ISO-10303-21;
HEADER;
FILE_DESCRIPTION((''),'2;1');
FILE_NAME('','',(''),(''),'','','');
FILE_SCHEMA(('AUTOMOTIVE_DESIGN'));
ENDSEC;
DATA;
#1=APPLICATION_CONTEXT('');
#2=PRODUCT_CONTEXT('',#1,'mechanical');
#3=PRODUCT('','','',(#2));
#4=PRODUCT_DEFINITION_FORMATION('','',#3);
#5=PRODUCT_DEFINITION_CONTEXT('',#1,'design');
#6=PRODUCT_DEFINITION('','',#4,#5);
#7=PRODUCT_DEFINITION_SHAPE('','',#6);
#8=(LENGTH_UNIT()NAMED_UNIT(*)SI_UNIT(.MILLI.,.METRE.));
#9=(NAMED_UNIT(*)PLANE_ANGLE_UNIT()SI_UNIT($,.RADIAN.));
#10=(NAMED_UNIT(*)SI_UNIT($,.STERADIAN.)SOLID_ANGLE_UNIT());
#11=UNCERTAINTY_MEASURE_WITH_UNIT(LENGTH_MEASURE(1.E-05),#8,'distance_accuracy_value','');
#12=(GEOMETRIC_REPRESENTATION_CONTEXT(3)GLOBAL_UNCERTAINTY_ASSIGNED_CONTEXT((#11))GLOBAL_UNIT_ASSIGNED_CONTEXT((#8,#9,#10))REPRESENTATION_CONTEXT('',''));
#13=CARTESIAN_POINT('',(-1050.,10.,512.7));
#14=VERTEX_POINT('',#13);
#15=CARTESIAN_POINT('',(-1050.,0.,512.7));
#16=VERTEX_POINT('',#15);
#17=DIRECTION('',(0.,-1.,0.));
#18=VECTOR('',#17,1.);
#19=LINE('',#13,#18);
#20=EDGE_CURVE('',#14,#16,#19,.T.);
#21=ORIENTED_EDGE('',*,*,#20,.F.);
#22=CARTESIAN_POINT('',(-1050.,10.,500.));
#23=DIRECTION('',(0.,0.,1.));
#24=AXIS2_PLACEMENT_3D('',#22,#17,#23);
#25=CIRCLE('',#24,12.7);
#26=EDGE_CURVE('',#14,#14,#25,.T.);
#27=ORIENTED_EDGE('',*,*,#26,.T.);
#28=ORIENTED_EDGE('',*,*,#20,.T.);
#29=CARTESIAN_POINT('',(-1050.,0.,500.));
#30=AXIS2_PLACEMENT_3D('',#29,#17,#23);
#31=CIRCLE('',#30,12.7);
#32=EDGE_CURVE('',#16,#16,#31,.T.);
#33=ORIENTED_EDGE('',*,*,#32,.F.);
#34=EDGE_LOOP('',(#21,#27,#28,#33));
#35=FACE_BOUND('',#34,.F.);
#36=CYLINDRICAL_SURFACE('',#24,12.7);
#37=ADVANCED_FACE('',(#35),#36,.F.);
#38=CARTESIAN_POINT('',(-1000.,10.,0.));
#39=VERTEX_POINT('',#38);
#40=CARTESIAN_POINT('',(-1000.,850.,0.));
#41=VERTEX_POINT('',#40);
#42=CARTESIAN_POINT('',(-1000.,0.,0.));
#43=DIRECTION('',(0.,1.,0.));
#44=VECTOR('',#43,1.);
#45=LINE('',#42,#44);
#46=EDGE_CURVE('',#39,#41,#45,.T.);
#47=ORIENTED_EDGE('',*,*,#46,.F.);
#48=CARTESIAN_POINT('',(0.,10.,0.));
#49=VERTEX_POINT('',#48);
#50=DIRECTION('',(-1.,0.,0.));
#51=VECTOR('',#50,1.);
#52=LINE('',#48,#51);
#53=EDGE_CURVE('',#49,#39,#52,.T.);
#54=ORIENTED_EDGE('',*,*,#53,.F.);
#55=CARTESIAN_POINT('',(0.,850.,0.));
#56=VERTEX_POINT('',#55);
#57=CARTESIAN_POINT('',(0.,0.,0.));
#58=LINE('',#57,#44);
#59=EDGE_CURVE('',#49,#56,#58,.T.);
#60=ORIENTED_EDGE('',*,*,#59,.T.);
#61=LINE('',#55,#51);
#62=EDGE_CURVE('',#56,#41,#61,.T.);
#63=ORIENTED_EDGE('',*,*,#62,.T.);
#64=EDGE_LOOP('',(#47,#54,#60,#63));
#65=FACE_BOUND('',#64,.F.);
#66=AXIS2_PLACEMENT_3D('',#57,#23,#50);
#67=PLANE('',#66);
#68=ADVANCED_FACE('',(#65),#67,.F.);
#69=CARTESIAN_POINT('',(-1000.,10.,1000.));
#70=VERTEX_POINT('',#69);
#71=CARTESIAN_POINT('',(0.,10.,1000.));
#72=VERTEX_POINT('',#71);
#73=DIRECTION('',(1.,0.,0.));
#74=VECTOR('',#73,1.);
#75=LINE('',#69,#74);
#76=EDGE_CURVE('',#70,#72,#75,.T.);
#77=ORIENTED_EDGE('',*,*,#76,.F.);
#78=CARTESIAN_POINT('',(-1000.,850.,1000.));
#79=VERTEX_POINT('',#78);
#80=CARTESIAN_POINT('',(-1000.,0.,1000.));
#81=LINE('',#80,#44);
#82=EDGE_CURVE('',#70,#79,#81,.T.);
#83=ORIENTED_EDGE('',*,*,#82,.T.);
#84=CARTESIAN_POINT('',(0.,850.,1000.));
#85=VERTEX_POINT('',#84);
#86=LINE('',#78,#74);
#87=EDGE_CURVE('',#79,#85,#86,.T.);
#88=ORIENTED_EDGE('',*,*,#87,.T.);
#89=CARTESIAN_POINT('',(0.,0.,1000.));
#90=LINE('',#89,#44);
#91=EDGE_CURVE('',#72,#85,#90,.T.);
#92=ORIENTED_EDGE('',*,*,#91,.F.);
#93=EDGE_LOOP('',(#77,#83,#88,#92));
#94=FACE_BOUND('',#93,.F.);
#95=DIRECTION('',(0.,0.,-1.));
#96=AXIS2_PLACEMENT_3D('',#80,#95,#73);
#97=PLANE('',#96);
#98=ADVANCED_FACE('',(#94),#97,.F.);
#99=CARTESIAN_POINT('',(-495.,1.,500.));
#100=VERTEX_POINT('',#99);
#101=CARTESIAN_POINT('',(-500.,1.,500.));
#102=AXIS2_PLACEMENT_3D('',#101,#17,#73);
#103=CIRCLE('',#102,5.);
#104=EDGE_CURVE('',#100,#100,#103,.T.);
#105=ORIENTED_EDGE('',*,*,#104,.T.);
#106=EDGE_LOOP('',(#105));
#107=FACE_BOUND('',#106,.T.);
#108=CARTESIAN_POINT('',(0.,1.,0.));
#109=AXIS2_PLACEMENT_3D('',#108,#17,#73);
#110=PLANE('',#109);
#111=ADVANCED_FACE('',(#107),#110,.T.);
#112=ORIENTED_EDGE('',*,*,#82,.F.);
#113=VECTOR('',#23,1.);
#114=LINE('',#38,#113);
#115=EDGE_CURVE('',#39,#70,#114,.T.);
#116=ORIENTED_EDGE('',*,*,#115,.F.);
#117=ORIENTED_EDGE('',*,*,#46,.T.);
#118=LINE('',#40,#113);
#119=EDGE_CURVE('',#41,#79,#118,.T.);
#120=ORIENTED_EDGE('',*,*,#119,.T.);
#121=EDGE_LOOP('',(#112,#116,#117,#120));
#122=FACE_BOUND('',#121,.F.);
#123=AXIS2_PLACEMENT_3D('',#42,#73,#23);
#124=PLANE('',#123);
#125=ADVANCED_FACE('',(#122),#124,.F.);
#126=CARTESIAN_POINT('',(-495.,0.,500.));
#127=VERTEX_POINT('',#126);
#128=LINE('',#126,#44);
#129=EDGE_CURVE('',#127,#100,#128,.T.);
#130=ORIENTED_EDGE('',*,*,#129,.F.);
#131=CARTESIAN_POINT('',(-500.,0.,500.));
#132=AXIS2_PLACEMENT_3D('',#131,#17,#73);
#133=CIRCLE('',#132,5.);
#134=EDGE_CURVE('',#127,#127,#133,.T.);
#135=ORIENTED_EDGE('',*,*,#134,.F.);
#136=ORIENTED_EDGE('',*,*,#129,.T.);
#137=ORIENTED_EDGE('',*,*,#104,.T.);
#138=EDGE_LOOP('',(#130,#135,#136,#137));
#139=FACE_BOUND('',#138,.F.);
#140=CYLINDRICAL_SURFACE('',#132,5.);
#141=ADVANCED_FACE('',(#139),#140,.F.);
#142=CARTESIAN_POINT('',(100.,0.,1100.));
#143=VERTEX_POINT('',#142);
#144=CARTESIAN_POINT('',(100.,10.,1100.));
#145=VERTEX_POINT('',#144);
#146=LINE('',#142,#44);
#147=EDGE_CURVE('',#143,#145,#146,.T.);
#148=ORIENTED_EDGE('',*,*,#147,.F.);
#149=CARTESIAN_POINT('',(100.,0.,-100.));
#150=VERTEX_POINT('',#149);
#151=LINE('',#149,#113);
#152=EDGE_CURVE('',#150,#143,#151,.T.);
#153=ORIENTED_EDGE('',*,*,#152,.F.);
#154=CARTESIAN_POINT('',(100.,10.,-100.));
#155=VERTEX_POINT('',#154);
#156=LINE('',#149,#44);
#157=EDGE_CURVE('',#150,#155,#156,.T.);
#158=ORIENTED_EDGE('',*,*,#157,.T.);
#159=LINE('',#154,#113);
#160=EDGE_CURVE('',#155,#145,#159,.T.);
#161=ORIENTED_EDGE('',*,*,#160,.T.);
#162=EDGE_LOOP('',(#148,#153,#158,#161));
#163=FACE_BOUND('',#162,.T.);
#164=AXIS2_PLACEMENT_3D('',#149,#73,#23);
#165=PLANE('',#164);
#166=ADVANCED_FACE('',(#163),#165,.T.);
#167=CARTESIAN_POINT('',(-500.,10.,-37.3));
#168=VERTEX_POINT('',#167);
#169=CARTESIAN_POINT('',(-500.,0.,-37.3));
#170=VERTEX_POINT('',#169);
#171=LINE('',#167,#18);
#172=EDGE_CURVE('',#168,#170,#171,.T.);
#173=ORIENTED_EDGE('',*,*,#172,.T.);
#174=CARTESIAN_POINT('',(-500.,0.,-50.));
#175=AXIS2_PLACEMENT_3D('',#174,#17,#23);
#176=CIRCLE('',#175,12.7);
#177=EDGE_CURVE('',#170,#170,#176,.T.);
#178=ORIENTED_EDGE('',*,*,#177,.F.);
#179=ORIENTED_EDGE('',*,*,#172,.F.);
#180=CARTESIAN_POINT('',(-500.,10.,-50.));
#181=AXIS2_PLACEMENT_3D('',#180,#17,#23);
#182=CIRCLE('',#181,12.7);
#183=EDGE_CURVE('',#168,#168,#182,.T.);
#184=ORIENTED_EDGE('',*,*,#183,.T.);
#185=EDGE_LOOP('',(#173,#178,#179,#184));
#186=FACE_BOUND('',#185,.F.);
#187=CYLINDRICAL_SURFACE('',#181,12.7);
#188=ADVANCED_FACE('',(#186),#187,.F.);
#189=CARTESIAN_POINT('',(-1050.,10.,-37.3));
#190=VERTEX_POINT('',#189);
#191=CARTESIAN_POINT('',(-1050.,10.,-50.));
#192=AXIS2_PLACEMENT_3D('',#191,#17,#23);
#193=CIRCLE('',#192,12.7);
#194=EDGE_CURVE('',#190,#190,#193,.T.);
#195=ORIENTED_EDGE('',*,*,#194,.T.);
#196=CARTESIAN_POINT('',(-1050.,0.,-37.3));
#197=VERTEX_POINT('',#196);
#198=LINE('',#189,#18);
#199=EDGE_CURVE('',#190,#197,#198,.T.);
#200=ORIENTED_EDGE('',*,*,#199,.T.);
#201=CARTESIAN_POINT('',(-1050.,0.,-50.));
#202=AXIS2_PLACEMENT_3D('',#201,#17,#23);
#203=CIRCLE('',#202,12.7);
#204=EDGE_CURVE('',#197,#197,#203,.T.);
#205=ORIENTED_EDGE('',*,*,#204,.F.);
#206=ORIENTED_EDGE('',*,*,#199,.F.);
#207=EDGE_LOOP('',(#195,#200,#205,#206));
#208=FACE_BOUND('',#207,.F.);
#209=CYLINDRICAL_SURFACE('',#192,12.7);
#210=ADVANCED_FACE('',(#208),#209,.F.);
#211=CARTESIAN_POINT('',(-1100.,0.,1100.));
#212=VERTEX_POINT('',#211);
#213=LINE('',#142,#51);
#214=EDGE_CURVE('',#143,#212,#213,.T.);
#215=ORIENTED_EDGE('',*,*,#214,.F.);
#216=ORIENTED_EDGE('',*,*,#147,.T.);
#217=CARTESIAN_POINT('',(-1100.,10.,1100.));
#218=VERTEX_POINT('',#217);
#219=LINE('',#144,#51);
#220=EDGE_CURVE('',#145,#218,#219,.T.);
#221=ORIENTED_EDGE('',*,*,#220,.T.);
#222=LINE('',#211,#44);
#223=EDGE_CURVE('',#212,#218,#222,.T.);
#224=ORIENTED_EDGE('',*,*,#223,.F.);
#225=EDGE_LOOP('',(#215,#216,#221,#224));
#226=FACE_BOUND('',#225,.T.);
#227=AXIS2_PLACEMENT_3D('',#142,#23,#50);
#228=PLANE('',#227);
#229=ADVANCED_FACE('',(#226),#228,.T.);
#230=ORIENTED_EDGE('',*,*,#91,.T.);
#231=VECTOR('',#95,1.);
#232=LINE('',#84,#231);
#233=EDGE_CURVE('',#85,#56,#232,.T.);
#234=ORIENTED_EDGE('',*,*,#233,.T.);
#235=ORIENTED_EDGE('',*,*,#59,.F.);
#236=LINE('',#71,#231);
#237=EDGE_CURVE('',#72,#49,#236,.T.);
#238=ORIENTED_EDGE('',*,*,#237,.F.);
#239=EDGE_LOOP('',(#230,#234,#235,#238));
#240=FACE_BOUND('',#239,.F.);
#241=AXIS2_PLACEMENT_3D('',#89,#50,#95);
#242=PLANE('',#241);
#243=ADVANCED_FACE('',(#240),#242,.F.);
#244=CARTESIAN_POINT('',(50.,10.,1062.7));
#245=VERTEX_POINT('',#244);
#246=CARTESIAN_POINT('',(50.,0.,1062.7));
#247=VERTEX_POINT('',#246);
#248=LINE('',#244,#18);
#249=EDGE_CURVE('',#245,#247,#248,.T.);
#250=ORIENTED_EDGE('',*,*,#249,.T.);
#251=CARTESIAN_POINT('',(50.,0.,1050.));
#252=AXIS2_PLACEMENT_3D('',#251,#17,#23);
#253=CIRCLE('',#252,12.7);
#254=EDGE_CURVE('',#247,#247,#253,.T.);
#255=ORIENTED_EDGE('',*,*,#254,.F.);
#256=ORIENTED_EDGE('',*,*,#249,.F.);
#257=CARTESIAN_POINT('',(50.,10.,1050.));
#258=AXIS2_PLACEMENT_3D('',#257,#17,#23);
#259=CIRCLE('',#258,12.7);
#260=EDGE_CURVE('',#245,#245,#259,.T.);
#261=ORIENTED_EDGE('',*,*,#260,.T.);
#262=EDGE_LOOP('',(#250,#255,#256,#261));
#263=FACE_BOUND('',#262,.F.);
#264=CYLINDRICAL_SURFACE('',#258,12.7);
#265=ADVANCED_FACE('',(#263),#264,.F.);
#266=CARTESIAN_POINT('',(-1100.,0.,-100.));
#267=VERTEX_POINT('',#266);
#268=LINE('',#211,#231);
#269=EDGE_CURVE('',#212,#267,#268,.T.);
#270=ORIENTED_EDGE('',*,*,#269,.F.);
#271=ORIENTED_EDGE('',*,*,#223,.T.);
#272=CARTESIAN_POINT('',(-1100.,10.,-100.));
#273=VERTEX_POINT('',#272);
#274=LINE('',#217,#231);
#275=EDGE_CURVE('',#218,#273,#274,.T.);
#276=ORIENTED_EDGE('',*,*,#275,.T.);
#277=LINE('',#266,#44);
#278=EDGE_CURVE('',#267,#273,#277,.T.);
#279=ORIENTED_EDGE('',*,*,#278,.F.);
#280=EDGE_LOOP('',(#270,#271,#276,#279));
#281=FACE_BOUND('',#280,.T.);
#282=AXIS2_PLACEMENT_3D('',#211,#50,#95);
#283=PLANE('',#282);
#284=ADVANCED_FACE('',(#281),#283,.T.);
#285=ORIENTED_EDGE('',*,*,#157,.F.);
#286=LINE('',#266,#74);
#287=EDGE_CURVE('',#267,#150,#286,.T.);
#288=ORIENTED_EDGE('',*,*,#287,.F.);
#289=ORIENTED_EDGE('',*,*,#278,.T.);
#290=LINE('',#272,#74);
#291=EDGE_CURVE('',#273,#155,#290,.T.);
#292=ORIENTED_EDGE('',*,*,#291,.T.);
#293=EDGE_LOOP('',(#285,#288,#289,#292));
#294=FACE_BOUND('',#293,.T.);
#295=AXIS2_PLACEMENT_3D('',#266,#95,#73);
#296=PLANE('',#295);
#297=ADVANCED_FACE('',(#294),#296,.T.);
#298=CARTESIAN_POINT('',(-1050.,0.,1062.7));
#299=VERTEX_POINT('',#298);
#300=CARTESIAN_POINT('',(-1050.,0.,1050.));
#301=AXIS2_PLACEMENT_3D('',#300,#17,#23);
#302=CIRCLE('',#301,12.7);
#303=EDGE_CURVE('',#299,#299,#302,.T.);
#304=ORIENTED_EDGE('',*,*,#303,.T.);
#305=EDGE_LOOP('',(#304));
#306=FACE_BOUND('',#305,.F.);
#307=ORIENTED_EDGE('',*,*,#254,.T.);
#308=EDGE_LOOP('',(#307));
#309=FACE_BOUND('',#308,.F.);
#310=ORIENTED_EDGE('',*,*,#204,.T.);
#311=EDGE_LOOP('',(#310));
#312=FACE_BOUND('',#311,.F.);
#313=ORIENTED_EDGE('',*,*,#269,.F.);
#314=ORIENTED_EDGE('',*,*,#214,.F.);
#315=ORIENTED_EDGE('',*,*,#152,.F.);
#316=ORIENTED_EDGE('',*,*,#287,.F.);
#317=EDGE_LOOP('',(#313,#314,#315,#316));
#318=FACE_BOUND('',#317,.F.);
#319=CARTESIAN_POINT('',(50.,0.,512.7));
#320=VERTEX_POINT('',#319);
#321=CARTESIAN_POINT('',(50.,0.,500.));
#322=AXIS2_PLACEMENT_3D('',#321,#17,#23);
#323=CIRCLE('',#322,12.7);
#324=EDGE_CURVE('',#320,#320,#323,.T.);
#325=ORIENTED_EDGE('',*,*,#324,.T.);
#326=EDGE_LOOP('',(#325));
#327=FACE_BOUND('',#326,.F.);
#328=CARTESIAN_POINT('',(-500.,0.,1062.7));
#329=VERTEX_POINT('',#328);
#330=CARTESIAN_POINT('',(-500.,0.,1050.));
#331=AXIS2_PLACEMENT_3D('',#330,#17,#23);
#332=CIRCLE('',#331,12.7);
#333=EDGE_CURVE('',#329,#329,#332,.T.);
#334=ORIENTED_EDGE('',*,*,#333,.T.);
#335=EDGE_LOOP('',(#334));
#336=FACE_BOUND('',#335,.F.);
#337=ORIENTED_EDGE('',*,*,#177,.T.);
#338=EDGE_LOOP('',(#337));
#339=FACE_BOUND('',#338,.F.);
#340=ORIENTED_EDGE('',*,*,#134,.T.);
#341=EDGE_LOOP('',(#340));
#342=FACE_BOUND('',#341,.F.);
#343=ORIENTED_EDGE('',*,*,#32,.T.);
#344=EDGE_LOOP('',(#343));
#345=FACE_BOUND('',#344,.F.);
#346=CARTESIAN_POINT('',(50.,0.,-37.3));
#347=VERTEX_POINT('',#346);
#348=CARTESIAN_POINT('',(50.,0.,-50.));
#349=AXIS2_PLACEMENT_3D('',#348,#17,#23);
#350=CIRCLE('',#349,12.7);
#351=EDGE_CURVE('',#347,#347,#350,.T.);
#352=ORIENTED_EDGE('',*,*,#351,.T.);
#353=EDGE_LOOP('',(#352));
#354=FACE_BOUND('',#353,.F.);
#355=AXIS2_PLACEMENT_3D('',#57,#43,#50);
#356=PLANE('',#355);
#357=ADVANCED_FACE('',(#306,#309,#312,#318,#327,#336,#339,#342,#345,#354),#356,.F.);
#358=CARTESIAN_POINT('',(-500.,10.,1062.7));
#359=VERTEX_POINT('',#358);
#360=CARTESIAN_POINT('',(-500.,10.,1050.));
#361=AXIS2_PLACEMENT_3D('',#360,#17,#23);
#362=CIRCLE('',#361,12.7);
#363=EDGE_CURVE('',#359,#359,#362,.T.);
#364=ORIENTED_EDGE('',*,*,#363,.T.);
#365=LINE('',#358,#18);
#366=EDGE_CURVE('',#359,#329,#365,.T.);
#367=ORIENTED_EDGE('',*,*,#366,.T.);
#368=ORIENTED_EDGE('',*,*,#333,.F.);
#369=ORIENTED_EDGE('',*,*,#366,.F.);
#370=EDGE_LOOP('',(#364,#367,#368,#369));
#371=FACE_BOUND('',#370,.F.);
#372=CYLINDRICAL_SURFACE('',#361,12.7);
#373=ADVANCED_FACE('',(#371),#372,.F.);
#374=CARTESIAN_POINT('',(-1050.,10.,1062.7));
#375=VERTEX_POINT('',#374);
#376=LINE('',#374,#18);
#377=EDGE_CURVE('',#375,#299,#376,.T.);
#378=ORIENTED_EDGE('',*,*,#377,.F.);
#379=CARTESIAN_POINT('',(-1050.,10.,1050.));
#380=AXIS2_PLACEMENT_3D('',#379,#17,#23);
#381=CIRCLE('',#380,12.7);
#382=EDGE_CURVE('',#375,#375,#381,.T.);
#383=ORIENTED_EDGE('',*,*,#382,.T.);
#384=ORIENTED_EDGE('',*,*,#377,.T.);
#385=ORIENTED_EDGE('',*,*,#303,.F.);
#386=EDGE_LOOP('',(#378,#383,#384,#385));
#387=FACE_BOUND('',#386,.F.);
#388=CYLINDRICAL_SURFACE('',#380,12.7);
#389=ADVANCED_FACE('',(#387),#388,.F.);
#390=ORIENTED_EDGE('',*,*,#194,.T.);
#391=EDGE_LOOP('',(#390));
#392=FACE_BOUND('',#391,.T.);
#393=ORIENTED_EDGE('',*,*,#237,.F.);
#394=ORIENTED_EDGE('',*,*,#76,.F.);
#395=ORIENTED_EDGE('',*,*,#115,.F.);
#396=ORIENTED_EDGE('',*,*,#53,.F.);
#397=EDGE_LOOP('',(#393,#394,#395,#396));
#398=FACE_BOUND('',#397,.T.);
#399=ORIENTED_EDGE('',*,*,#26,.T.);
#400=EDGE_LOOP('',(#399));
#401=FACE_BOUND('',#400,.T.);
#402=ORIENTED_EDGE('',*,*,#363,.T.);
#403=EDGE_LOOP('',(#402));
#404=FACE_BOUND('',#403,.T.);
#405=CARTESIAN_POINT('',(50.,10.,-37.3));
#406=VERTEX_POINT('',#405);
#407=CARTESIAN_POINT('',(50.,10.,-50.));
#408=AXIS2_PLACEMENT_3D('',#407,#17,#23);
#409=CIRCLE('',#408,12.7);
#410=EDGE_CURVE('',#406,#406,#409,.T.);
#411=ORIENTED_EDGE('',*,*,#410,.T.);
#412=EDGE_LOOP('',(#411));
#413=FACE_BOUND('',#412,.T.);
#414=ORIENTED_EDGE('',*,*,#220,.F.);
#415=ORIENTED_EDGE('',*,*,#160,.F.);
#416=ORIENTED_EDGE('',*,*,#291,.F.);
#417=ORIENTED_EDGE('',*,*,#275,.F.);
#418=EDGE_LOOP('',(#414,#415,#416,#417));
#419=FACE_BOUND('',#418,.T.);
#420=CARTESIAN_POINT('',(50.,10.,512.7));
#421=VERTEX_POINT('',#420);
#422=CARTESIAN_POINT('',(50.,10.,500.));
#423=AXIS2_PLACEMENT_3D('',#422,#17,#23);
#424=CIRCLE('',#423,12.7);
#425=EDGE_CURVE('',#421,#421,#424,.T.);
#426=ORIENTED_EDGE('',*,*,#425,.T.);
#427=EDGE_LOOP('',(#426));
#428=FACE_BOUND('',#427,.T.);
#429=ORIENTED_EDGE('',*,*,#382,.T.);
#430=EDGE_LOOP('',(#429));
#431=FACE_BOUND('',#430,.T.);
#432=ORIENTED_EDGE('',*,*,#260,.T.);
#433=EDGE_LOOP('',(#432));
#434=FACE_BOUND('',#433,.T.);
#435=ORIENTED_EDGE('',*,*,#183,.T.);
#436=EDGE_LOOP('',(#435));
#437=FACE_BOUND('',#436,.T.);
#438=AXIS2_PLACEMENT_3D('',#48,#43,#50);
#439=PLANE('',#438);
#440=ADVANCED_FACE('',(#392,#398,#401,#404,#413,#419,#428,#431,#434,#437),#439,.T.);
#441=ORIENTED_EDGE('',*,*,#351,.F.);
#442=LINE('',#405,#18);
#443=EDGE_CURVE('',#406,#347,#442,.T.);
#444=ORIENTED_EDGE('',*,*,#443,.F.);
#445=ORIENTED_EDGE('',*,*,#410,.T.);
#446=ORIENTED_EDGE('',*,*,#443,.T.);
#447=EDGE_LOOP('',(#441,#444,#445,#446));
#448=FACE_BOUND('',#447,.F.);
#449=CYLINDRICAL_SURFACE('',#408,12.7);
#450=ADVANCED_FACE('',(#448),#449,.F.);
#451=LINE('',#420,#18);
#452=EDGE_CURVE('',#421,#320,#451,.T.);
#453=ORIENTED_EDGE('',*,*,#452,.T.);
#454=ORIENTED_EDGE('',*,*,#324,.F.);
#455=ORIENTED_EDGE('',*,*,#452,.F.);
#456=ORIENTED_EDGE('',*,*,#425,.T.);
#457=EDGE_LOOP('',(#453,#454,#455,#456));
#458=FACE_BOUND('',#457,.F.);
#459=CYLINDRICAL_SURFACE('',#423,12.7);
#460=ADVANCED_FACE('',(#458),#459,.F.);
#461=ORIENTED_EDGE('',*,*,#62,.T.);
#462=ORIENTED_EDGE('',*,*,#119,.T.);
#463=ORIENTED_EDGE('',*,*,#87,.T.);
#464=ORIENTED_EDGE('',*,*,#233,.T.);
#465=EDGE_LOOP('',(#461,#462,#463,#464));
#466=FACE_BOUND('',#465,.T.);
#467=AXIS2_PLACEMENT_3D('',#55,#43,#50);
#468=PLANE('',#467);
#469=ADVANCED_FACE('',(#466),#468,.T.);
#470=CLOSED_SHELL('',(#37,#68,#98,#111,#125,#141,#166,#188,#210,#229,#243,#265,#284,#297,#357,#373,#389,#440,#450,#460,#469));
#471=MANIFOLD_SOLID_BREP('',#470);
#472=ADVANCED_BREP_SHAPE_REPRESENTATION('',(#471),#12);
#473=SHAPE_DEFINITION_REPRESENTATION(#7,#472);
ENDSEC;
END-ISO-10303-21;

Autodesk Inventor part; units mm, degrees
ref_plane "YZ Plane" through (0, 0, 0) normal (1, 0, 0) x (0, 1, 0)
ref_plane "XZ Plane" through (0, 0, 0) normal (0, 1, 0) x (-1, 0, 0)
ref_plane "XY Plane" through (0, 0, 0) normal (0, 0, 1) x (1, 0, 0)
sketch "Sketch1" plane through (0, 0, 0) normal (0, 1, 0) x (-1, 0, 0)
  line L0 (0, 0) -> (1000, 0)
  line L1 (1000, 0) -> (1000, 1000)
  line L2 (1000, 1000) -> (0, 1000)
  line L3 (0, 1000) -> (0, 0)
  line L4 (-100, 1100) -> (1100, 1100)
  line L5 (1100, 1100) -> (1100, -100)
  line L6 (1100, -100) -> (-100, -100)
  line L7 (-100, -100) -> (-100, 1100)
  dimension "d0" = 1000
  dimension "d1" = 1000
  dimension "d2" = 100
extrude "Extrusion1" add sketch "Sketch1" along normal blind 850 contours L3 L2 L1 L0
extrude "Extrusion2" add sketch "Sketch1" along normal blind 10
sketch "Sketch2" plane through (0, 10, 0) normal (0, 1, 0) x (1, 0, 0)
  line L0 (100, 100) -> (-1100, 100) projected
  line L1 (-1100, 100) -> (-1100, -1100) projected
  line L2 (-1100, -1100) -> (100, -1100) projected
  line L3 (100, -1100) -> (100, 100) projected
  line L4 (0, -1000) -> (0, 0) projected
  line L5 (-1000, -1000) -> (0, -1000) projected
  line L6 (-1000, 0) -> (-1000, -1000) projected
  line L7 (0, 0) -> (-1000, 0) projected
  line L8 (-1000, -1000) -> (-1050, -1000)
  line L9 (-1050, -1000) -> (-1050, -1050)
  line L10 (-1050, -1050) -> (50, -1050)
  line L11 (50, -1050) -> (50, 50)
  line L12 (50, 50) -> (-1050, 50)
  line L13 (-1050, 50) -> (-500, 50)
  line L14 (-500, 50) -> (-500, -1050)
  line L15 (50, 50) -> (50, -500)
  line L16 (50, -500) -> (-1000, -500)
  line L17 (-1000, -500) -> (-1050, -500)
  dimension "d7" = 50
  dimension "d8" = 50
  dimension "d9" = 1100
  dimension "d10" = 1100
  dimension "d11" = 550
hole "Hole1" at (-1050, 10, 1050) at (-500, 10, 1050) at (50, 10, 1050) at (50, 10, -50) at (-500, 10, -50) at (-1050, 10, -50) at (50, 10, 500) at (-1050, 10, 500) direction (0, -1, 0) diameter 25.4 end through all
sketch "Sketch3" plane through (0, 850, 1000) normal (1, 0, 0) x (0, 0, -1)
  line L0 (0, -59.4954) -> (1000, -59.4954) construction
  line L1 (1000, -59.4954) -> (1000, -749.3909) construction
  line L2 (1000, -749.3909) -> (0, -749.3909) construction
  line L3 (0, -749.3909) -> (0, -59.4954) construction
  point P0 (1000, -850)
decal "Decal1"
sketch "Sketch4" plane through (-1000, 850, 1000) normal (0, 0, 1) x (1, 0, 0)
  line L0 (0, -840) -> (0, 0) projected
  line L1 (0, -64.0631) -> (1000, -64.0631) construction
  line L2 (1000, -64.0631) -> (1000, -753.9585) construction
  line L3 (1000, -753.9585) -> (0, -753.9585) construction
  line L4 (0, -753.9585) -> (0, -64.0631) construction
  point P0 (1000, -850)
decal "Decal2"
sketch "Sketch5" plane through (-1000, 850, 0) normal (-1, 0, 0) x (0, 0, 1)
  line L0 (57.8435, -18.5187) -> (921.1484, -18.5187) construction
  line L1 (921.1484, -18.5187) -> (921.1484, -825.537) construction
  line L2 (921.1484, -825.537) -> (57.8435, -825.537) construction
  line L3 (57.8435, -825.537) -> (57.8435, -18.5187) construction
  point P0 (0, -850)
decal "Decal3"
sketch "Sketch6" plane through (0, 850, 0) normal (0, 0, -1) x (-1, 0, 0)
  line L0 (-2.3743, -103.2912) -> (997.1946, -103.2912) construction
  line L1 (997.1946, -103.2912) -> (997.1946, -725.2451) construction
  line L2 (997.1946, -725.2451) -> (-2.3743, -725.2451) construction
  line L3 (-2.3743, -725.2451) -> (-2.3743, -103.2912) construction
  point P0 (0, -850)
decal "Decal4"
sketch "Sketch7" plane through (0, 0, 0) normal (0, -1, 0) x (1, 0, 0)
  circle A0 centre (-1050, 500) radius 12.7 projected
  circle A1 centre (-500, 500) radius 5
  point P0 (0, 0)
  dimension "d73" = 10
extrude "Extrusion3" cut sketch "Sketch7" against normal blind 1 contours A1
